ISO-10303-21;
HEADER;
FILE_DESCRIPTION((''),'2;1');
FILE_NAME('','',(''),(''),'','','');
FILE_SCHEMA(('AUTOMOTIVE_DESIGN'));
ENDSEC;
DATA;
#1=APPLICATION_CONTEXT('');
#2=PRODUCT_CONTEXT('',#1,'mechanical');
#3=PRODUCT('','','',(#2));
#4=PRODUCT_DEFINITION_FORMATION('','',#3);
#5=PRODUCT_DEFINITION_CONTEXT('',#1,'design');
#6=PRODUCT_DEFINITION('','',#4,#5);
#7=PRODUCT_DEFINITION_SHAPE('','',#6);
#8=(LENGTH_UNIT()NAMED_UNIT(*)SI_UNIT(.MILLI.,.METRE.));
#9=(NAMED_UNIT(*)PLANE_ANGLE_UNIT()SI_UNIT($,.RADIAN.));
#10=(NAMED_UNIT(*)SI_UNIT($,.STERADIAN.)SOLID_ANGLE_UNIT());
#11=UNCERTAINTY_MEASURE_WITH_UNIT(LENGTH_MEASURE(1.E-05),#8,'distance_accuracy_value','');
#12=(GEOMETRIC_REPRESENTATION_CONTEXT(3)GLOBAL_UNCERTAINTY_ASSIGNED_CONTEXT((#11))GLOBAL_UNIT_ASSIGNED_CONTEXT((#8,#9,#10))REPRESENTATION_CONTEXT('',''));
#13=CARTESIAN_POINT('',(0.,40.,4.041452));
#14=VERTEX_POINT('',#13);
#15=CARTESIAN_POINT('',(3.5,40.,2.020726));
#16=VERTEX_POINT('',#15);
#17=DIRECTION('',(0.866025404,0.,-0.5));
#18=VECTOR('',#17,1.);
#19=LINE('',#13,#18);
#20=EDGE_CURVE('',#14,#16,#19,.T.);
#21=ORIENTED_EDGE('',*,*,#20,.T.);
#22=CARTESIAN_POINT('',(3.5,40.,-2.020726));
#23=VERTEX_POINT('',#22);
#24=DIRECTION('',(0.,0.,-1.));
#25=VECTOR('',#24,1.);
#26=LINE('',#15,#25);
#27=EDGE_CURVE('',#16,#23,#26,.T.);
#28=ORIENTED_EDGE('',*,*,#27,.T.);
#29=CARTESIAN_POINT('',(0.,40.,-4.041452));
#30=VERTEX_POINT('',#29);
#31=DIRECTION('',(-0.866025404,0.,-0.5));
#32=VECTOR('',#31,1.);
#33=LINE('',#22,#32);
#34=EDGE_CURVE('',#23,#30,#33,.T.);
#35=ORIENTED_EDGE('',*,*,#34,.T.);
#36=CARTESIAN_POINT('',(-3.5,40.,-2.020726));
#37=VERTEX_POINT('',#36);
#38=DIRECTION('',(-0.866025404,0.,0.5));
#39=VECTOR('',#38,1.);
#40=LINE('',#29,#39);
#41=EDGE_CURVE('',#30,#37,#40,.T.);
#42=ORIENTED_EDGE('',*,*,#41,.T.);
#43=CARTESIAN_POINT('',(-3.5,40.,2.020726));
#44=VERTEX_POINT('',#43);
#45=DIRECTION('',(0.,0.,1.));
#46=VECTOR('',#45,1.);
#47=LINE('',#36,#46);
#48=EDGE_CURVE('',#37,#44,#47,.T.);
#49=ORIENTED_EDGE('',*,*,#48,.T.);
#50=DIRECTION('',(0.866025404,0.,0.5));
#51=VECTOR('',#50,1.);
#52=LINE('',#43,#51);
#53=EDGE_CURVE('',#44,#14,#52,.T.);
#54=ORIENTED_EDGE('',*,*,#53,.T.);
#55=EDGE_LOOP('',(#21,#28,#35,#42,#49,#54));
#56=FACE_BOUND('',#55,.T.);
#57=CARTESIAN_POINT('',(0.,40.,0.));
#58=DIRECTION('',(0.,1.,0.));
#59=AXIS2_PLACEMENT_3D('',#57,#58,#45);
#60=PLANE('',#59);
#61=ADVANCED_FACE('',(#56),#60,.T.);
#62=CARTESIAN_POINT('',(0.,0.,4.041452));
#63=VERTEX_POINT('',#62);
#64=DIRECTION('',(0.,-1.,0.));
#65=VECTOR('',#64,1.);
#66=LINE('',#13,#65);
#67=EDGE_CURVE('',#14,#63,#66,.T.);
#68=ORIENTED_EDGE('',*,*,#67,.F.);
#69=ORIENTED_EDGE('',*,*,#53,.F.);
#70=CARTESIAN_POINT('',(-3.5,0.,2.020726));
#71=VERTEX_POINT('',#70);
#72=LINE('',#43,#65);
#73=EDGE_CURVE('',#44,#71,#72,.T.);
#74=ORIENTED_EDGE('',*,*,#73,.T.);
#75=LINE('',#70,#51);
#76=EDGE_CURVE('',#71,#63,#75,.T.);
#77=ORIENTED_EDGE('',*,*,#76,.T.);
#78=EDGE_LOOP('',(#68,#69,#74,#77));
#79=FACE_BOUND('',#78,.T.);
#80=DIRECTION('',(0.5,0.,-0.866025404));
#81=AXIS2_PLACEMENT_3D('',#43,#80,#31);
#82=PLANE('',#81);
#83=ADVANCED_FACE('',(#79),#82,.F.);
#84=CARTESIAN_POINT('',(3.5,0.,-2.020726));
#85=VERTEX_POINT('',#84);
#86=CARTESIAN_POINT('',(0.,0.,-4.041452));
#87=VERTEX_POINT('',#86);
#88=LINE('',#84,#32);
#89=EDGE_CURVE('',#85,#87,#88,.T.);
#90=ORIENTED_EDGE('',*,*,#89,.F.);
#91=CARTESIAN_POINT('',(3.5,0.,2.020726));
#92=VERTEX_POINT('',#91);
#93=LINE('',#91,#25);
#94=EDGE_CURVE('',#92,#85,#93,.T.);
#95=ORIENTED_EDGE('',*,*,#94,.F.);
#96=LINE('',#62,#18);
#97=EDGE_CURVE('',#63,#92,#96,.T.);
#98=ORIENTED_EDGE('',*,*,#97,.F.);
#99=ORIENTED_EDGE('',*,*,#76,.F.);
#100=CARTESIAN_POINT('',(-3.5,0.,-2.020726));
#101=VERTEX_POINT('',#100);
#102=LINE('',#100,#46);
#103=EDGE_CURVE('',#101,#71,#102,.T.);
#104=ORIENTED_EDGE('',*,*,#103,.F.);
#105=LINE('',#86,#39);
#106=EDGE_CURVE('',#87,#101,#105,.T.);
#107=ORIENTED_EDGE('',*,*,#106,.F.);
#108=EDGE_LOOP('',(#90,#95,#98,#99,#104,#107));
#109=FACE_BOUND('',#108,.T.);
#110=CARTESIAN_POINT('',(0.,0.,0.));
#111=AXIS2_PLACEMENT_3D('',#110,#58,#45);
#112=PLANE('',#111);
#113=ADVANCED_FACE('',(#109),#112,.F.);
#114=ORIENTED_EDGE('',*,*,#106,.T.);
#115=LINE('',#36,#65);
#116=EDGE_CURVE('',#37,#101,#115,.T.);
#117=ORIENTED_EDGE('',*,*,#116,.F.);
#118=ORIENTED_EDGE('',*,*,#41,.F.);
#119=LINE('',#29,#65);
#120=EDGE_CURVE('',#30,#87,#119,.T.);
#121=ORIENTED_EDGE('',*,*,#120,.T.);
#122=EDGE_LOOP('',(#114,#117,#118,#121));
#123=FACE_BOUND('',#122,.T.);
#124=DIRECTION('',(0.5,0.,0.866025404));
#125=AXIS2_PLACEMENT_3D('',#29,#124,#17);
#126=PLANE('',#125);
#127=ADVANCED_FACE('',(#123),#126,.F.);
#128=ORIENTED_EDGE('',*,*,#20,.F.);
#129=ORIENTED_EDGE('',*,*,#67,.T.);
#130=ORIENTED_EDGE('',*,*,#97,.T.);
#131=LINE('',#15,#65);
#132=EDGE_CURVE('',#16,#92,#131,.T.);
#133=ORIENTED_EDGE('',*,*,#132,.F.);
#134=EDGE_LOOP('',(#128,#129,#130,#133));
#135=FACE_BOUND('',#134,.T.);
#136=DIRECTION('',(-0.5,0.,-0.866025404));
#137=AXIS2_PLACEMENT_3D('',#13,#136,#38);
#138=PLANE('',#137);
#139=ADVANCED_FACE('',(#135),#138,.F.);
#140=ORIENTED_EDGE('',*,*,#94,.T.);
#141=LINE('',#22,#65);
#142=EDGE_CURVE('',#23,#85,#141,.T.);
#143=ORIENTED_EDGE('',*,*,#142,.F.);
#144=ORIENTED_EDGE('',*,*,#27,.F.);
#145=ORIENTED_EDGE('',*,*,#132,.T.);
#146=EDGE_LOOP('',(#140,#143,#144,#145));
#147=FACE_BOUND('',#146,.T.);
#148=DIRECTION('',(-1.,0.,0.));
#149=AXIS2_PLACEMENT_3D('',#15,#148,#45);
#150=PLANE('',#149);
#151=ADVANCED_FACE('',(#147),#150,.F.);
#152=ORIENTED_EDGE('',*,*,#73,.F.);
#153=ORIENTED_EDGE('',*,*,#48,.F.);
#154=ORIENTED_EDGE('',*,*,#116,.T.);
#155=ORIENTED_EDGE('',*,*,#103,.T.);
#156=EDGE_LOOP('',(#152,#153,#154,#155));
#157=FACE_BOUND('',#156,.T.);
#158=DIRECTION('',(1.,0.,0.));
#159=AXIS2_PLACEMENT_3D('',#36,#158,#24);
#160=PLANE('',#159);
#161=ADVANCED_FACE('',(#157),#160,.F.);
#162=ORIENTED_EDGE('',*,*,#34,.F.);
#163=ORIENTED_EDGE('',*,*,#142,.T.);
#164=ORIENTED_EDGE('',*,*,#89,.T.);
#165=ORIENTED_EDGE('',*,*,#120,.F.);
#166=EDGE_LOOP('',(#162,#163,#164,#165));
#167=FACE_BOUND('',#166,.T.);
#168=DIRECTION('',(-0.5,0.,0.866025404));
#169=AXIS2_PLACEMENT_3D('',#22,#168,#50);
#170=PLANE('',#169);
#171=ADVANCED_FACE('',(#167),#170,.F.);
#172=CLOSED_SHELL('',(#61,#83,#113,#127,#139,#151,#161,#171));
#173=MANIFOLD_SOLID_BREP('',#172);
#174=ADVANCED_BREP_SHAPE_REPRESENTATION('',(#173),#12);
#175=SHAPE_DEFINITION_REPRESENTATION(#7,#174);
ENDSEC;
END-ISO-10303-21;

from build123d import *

# Parameters (mm, degrees)
EXTRUDE_1_DEPTH = 40


with BuildPart() as part:
    # Эскиз1 → Бобышка-Вытянуть1 (new body)
    with BuildSketch(Plane(origin=(0, 0, 0), x_dir=(1, 0, 0), z_dir=(0, 1, 0))):
        Polygon((0, 4.041451884), (-3.5, 2.020725942), (-3.5, -2.020725942), (0, -4.041451884), (3.5, -2.020725942), (3.5, 2.020725942), align=None)
    extrude(amount=EXTRUDE_1_DEPTH)


solid = part.part
